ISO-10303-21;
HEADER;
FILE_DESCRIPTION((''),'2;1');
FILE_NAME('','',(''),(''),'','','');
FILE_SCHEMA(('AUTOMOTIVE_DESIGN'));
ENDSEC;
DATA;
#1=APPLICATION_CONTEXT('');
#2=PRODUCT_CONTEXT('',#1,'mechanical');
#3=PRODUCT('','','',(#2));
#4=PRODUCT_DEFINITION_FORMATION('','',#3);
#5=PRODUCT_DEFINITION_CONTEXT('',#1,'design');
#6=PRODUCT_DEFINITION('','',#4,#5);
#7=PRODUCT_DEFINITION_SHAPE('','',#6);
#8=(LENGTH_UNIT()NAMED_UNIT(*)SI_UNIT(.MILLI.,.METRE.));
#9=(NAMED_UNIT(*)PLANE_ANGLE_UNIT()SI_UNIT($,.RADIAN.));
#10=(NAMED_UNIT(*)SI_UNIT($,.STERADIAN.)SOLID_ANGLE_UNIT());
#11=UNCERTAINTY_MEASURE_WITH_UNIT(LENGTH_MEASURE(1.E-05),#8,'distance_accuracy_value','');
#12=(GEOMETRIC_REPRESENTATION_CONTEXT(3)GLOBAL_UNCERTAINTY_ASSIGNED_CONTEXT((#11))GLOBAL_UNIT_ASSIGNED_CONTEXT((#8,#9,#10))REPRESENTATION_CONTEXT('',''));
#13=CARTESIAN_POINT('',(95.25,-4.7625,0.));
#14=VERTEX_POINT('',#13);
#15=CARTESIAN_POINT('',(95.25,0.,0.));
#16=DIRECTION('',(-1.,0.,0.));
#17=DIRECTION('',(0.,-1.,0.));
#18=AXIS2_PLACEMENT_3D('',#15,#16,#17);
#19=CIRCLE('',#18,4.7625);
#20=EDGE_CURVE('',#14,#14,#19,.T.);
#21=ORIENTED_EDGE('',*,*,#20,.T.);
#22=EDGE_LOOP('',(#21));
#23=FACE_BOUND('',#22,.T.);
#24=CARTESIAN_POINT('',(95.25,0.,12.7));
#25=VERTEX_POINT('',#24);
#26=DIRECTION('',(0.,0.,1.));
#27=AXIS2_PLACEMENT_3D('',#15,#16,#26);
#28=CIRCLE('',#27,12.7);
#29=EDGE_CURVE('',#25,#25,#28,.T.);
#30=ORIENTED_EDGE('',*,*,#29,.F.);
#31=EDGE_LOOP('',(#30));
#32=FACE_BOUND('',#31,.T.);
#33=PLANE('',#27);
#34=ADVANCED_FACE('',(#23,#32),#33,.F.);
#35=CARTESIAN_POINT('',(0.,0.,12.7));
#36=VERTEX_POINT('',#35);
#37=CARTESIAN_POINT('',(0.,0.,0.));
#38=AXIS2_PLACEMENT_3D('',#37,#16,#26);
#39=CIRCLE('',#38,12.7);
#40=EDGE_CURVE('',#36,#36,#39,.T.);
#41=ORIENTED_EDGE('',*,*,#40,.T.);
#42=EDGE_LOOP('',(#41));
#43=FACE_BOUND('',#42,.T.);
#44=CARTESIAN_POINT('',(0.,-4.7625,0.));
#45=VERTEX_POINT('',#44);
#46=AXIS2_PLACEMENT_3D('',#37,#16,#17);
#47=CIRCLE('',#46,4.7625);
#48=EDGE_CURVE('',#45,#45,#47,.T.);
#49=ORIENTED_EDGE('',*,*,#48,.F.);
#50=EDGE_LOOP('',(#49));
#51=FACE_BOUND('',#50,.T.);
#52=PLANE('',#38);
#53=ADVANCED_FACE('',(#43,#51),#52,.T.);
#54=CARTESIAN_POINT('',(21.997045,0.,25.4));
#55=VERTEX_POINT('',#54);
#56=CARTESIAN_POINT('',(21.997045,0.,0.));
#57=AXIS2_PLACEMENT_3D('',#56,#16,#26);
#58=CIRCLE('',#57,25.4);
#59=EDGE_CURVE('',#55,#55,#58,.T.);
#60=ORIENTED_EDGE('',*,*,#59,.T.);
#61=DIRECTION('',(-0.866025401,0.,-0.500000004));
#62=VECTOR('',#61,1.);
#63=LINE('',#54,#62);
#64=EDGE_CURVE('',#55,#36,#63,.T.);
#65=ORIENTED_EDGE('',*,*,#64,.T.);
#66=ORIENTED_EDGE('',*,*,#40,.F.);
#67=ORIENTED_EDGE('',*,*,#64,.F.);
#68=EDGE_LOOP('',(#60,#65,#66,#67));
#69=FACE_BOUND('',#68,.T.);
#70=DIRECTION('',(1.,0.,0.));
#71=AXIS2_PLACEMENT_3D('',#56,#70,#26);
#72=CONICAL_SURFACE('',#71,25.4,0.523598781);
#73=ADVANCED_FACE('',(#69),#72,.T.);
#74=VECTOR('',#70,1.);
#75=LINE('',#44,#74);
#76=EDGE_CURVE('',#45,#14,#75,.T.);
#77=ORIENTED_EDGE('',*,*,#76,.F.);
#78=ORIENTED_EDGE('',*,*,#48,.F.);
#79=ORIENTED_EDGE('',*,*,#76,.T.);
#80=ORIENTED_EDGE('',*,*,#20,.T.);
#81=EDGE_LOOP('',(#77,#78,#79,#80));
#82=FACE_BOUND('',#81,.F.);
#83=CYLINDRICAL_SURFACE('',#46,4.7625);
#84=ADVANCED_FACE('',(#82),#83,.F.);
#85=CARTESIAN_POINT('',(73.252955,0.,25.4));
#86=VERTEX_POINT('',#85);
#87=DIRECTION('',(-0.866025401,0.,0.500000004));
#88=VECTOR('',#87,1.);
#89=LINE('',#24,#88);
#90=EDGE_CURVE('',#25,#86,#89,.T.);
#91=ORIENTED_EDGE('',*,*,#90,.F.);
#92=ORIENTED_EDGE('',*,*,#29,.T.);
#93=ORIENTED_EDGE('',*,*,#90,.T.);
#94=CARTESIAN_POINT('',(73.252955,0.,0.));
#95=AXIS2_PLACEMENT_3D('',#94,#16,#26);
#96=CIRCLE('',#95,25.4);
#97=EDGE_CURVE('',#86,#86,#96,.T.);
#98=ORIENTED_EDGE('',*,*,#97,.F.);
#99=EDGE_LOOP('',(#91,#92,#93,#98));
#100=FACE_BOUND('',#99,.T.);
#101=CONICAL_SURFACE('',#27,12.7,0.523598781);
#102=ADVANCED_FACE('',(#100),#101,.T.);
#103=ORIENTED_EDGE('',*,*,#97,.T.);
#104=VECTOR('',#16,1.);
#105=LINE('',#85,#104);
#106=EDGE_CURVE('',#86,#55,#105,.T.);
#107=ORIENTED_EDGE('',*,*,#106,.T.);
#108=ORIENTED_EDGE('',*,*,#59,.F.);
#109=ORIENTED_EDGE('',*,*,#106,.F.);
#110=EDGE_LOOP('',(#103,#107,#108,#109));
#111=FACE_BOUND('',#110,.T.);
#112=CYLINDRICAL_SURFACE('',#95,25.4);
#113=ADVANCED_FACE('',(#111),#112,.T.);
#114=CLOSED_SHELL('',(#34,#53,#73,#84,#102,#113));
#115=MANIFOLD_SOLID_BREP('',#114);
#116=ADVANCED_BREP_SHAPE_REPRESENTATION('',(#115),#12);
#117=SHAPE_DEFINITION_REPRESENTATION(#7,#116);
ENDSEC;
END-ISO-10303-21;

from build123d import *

# Parameters (mm, degrees)
F2_R     = 4.7625
F3_DEPTH = 95.251


with BuildPart() as f1:
    # F0 (on Front) → F1 (revolve)
    with BuildSketch(Plane.XZ):
        Polygon((0, 12.7), (0, 0), (95.25, 0), (95.25, 12.7), (73.252955, 25.4), (21.997045, 25.4), align=None)
    revolve(axis=Axis((47.625, 0, 0), (-1, 0, 0)))

    # F2 (on face) → F3 (cut, through all)
    with BuildSketch(Plane(origin=(0, 0, 0), x_dir=(0, -1, 0), z_dir=(-1, 0, 0))):
        Circle(F2_R)
    extrude(amount=-F3_DEPTH, mode=Mode.SUBTRACT)


solid = f1.part
